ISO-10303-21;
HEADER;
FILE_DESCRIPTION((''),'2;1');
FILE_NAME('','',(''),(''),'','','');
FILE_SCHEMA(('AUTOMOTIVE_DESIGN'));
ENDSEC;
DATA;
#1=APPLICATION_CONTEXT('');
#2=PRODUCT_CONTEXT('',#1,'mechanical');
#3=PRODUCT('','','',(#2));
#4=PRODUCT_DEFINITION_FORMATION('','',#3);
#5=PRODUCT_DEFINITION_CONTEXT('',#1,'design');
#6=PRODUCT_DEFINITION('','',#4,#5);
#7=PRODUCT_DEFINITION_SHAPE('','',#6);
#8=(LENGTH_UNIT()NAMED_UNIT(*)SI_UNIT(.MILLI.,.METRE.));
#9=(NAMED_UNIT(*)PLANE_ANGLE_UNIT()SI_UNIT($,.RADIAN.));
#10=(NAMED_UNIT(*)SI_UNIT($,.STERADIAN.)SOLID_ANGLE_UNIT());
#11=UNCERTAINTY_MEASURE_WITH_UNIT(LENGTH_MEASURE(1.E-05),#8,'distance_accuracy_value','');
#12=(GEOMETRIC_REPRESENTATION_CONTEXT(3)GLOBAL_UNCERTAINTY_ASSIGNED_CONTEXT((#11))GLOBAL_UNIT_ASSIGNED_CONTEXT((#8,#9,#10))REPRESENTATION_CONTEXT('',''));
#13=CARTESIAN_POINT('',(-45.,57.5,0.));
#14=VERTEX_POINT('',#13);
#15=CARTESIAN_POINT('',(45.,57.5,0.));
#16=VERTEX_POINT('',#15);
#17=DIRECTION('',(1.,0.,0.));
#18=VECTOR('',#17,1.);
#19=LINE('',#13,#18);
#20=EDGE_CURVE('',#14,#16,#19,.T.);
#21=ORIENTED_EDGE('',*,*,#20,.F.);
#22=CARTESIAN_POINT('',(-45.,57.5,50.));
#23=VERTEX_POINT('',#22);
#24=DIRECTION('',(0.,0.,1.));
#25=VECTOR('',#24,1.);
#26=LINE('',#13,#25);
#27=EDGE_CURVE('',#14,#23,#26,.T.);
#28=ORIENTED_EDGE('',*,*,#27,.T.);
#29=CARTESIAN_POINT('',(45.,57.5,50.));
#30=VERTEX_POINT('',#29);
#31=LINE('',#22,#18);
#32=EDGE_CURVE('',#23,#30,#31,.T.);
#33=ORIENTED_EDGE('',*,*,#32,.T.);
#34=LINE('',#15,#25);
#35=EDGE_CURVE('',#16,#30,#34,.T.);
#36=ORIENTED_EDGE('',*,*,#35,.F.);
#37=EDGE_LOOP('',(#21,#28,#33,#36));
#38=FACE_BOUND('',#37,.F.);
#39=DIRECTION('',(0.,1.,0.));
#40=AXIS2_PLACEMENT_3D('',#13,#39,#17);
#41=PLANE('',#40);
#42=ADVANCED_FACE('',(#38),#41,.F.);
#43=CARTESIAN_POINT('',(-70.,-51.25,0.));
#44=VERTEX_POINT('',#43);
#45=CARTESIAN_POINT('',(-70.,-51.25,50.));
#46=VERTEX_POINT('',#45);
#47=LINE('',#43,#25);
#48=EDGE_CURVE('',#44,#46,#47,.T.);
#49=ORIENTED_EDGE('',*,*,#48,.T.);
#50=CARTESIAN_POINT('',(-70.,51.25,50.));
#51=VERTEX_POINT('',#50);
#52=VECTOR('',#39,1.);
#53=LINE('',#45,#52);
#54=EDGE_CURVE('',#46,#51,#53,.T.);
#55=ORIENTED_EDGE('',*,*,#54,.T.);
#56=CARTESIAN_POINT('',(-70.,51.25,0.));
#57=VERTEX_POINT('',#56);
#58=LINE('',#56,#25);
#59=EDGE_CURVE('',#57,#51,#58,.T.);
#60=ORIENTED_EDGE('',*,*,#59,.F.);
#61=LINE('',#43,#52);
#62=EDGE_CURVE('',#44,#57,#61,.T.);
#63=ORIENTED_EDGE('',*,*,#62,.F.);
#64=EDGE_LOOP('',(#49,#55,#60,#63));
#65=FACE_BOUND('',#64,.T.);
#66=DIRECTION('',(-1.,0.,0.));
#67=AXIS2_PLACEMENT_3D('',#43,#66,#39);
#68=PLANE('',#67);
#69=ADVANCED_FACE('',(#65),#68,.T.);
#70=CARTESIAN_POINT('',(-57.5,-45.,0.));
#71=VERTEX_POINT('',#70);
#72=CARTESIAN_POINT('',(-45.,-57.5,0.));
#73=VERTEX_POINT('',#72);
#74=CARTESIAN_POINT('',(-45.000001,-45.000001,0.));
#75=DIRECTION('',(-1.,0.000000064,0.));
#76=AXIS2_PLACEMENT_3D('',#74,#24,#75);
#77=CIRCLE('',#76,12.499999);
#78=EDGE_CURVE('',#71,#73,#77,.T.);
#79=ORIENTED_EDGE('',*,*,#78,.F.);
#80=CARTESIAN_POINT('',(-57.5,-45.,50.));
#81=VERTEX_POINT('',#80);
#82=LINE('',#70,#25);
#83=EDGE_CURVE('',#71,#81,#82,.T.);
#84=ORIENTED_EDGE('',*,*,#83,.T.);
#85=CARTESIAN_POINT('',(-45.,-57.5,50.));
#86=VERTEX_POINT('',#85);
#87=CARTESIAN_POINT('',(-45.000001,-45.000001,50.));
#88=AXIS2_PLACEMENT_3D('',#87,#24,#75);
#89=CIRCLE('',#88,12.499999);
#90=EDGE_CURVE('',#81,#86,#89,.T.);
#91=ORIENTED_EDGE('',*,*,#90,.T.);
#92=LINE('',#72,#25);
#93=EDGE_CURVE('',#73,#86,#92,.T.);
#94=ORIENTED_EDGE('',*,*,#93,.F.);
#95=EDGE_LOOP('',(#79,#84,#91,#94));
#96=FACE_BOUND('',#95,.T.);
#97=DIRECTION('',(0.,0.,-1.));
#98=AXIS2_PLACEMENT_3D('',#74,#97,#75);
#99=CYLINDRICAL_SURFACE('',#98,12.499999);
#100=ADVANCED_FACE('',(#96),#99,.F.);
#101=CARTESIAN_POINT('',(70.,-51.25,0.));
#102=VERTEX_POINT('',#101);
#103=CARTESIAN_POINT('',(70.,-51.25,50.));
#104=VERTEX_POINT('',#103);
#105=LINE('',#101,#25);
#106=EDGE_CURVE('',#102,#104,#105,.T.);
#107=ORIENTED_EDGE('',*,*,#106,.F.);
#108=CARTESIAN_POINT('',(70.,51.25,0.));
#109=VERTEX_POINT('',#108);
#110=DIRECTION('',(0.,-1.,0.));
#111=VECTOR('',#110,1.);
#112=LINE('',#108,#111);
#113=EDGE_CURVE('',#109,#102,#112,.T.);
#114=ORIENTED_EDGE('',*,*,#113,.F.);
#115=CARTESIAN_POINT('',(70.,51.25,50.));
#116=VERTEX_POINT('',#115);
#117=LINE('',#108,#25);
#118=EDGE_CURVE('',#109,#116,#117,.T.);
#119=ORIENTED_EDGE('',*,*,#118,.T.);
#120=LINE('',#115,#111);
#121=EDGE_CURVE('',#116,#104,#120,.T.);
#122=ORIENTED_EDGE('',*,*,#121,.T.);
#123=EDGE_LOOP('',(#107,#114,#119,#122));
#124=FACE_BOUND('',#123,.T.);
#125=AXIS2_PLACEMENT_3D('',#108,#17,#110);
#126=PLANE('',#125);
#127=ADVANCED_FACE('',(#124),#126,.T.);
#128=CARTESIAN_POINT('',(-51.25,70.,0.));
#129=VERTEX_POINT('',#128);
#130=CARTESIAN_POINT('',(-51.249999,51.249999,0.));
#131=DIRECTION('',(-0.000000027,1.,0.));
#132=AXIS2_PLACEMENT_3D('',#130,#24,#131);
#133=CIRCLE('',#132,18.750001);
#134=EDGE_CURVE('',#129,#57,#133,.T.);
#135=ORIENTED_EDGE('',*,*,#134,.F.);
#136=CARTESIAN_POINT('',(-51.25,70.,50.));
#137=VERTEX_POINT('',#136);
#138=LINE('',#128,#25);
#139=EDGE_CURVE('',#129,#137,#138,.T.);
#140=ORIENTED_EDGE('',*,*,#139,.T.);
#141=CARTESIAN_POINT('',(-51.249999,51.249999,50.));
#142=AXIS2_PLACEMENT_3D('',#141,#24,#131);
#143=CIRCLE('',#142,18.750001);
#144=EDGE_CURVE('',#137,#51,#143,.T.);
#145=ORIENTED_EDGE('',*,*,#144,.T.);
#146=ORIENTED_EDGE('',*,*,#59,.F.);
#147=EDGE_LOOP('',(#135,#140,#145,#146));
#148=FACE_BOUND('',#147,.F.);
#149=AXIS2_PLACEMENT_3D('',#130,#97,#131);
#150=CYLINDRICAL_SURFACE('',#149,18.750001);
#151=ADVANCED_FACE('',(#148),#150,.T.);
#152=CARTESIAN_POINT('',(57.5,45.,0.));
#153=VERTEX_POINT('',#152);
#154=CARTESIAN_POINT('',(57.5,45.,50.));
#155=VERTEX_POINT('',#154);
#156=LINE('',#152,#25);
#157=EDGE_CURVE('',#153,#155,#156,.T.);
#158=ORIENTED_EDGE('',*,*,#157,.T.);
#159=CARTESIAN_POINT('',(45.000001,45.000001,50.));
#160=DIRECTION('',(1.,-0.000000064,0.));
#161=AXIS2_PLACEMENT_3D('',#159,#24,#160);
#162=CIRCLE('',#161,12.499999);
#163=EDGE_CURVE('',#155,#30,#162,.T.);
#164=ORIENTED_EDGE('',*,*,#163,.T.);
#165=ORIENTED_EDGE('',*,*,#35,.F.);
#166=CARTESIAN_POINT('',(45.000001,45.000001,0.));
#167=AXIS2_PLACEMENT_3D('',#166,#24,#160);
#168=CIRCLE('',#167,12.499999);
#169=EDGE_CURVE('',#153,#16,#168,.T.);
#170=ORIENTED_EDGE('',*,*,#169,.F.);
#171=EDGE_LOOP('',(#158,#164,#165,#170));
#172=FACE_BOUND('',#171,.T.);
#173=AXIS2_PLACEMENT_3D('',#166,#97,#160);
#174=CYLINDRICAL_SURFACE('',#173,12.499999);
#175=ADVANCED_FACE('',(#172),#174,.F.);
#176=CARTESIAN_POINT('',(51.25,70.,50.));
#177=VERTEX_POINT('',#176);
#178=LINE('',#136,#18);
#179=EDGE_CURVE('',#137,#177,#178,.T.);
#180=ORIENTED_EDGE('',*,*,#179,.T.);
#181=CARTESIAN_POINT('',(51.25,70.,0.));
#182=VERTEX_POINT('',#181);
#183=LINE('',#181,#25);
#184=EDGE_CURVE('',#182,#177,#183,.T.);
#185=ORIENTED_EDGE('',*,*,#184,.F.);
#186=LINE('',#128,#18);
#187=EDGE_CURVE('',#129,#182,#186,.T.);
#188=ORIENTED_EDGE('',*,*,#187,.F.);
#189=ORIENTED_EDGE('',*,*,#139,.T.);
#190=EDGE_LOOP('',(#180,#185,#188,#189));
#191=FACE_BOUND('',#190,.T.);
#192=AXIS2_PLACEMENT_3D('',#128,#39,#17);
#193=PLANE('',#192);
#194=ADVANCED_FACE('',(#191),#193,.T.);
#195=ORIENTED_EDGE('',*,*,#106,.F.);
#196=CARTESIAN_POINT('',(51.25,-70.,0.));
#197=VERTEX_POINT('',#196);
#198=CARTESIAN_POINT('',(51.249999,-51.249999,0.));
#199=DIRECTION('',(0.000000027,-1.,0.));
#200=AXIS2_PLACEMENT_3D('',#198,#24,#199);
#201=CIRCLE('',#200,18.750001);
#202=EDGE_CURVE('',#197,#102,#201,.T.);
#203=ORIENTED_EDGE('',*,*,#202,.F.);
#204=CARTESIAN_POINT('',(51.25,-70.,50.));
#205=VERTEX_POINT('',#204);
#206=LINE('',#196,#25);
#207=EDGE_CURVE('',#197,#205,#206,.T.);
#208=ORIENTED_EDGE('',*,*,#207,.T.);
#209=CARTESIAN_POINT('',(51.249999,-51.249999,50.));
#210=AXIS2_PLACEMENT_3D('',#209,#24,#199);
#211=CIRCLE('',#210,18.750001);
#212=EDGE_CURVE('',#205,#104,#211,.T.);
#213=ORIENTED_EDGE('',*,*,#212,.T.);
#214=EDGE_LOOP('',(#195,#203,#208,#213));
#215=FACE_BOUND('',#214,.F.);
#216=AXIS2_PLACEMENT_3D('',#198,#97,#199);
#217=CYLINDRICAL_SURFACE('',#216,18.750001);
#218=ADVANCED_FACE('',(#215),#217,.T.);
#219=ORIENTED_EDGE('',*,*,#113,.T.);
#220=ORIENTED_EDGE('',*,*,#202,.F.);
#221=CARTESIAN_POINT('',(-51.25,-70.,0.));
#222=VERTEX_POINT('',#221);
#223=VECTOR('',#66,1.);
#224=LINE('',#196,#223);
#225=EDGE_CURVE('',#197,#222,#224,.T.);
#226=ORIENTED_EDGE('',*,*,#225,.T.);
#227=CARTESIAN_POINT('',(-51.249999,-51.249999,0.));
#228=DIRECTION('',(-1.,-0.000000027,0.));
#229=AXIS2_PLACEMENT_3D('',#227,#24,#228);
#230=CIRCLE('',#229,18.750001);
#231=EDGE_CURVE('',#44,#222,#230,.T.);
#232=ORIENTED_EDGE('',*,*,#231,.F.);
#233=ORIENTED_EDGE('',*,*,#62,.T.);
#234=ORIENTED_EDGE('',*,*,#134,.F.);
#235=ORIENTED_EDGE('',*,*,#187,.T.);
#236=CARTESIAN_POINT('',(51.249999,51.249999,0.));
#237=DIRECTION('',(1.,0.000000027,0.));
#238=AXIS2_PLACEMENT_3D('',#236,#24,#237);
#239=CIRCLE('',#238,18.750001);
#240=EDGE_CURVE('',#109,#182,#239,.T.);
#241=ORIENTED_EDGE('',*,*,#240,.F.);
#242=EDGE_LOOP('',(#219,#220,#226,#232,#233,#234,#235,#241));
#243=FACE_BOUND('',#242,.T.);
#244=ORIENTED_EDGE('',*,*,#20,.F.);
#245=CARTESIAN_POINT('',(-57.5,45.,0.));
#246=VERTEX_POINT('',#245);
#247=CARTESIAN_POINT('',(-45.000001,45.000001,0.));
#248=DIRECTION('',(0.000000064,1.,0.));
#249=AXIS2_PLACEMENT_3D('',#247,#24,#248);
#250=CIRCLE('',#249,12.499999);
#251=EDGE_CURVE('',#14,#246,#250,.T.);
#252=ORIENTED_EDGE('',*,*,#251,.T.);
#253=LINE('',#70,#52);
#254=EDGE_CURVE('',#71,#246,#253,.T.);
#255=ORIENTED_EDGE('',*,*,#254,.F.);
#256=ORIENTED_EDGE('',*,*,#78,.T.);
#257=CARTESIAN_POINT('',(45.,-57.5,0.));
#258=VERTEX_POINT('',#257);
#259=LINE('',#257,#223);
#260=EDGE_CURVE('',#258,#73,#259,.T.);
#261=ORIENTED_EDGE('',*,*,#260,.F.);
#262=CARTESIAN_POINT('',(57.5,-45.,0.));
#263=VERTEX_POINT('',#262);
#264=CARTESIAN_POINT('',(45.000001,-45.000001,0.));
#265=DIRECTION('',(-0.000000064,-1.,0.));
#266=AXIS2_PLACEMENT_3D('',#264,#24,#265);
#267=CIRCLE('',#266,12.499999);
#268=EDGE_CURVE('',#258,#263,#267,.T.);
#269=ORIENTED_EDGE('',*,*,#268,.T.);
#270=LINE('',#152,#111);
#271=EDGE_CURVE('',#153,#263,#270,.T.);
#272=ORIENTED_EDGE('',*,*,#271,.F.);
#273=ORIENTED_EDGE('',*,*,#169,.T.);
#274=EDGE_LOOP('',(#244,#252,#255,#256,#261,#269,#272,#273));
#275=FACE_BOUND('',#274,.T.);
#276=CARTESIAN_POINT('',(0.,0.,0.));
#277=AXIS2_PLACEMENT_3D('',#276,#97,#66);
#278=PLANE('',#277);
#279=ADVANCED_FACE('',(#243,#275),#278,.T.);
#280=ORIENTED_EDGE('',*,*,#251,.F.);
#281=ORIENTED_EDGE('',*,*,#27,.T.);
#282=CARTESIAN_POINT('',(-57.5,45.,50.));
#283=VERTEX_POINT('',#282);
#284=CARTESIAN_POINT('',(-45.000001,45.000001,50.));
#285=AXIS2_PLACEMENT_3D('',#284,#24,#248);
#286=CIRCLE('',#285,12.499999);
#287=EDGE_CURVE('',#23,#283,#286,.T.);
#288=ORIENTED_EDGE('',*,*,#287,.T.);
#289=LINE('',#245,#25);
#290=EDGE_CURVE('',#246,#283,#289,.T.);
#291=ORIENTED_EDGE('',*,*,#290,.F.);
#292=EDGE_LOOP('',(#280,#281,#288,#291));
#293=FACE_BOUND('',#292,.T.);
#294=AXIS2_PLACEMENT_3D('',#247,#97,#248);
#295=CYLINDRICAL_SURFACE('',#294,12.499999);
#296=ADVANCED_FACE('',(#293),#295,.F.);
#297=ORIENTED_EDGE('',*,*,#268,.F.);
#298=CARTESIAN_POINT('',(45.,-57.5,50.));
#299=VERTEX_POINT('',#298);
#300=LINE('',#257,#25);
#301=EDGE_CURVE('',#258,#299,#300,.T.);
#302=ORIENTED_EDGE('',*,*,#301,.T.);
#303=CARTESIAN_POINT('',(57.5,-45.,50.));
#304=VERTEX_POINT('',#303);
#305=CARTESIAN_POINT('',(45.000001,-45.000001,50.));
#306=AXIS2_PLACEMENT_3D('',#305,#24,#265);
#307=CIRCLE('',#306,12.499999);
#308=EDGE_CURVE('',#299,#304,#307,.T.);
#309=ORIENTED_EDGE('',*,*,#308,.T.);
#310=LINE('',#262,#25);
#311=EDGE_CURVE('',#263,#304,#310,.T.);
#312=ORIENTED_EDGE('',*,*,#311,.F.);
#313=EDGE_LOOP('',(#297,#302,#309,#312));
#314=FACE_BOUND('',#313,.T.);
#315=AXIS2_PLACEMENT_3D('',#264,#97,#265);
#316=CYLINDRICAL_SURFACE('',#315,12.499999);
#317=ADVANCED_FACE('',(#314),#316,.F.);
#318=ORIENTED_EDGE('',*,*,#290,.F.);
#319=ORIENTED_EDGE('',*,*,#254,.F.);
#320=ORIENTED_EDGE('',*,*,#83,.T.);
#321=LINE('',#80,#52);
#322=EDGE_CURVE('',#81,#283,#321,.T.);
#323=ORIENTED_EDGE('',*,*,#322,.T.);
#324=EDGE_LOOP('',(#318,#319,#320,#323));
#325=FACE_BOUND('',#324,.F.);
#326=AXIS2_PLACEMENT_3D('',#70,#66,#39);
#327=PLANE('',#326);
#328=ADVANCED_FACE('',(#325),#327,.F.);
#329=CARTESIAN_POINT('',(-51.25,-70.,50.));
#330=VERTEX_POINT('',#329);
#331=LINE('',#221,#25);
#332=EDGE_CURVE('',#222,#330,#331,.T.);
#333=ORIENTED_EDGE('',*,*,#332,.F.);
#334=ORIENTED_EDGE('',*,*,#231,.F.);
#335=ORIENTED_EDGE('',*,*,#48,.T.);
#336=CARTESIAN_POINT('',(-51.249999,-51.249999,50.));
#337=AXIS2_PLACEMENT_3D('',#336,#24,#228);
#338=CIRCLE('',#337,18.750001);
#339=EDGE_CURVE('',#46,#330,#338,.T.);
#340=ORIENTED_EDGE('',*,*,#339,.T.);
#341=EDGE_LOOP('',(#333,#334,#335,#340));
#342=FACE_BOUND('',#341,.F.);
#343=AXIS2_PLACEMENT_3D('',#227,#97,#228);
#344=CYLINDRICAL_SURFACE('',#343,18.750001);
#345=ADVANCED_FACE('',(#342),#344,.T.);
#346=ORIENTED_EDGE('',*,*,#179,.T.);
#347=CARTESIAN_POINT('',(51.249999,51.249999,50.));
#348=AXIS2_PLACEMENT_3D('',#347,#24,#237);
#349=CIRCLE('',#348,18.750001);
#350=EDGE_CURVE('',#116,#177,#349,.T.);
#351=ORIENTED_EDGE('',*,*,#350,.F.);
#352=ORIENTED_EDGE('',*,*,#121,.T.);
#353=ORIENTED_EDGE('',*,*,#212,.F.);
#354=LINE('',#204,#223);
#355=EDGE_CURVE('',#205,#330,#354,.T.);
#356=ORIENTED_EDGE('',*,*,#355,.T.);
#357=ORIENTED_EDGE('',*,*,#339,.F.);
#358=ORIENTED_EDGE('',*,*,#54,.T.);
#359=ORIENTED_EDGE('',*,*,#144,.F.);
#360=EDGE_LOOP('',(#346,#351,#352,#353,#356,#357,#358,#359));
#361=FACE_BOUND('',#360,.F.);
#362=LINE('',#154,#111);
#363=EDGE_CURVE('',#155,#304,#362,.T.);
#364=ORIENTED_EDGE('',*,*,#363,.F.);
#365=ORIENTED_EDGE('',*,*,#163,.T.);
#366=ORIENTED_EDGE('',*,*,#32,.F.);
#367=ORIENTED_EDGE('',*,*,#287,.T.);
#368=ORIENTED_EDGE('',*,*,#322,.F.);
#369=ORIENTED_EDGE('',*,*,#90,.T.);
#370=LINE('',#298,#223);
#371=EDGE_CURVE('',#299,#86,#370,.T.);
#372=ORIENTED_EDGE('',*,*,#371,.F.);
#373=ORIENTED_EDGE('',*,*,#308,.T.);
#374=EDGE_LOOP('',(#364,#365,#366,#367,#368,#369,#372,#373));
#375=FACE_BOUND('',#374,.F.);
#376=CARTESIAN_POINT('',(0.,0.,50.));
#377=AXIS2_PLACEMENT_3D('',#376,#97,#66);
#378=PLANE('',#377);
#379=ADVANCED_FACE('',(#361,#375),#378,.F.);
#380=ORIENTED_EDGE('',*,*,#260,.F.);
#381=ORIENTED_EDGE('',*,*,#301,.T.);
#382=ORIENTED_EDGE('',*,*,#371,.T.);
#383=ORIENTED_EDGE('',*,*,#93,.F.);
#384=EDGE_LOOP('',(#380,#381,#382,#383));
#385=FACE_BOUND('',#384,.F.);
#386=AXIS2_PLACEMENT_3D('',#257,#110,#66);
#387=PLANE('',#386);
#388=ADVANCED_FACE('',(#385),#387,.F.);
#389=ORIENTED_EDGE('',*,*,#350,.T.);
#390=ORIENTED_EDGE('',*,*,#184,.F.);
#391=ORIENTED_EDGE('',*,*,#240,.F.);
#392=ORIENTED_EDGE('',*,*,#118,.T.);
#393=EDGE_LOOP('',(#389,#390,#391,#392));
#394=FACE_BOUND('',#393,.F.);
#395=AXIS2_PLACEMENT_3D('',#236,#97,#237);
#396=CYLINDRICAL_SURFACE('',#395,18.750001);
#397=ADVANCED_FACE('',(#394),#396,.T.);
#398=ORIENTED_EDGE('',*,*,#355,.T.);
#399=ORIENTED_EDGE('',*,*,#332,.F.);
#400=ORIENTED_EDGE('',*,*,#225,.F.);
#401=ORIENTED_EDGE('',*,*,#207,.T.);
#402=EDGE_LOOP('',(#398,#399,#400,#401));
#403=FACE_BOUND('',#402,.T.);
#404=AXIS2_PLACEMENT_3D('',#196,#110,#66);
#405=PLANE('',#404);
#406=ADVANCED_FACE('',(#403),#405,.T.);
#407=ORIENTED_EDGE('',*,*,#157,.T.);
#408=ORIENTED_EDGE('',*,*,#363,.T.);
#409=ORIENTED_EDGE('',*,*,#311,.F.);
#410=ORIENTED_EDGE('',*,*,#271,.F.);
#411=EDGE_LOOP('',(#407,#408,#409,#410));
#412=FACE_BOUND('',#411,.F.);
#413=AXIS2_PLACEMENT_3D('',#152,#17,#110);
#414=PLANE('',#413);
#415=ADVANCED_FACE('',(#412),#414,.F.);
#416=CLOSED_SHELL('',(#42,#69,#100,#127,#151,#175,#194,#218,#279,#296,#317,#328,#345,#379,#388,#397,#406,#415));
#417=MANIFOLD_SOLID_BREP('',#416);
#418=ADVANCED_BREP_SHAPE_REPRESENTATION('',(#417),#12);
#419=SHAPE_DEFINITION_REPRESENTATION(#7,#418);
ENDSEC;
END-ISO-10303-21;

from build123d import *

# Parameters (mm, degrees)
EXTRUDE_DEPTH = 50


with BuildPart() as part:
    # Sketch → Extrude (new body)
    with BuildSketch(Plane.XY):
        with BuildLine():
            Line((-51.25, 70), (51.25, 70))
            ThreePointArc((70, 51.25), (64.508252, 64.508252), (51.25, 70))
            Line((70, 51.25), (70, -51.25))
            ThreePointArc((51.25, -70), (64.508252, -64.508252), (70, -51.25))
            Line((51.25, -70), (-51.25, -70))
            ThreePointArc((-70, -51.25), (-64.508252, -64.508252), (-51.25, -70))
            Line((-70, -51.25), (-70, 51.25))
            ThreePointArc((-51.25, 70), (-64.508252, 64.508252), (-70, 51.25))
        make_face()
        with BuildLine():
            Line((-45, 57.5), (45, 57.5))
            ThreePointArc((57.5, 45), (53.838835, 53.838835), (45, 57.5))
            Line((57.5, 45), (57.5, -45))
            ThreePointArc((45, -57.5), (53.838835, -53.838835), (57.5, -45))
            Line((45, -57.5), (-45, -57.5))
            ThreePointArc((-57.5, -45), (-53.838835, -53.838835), (-45, -57.5))
            Line((-57.5, -45), (-57.5, 45))
            ThreePointArc((-45, 57.5), (-53.838835, 53.838835), (-57.5, 45))
        make_face(mode=Mode.SUBTRACT)
    extrude(amount=EXTRUDE_DEPTH)


solid = part.part
